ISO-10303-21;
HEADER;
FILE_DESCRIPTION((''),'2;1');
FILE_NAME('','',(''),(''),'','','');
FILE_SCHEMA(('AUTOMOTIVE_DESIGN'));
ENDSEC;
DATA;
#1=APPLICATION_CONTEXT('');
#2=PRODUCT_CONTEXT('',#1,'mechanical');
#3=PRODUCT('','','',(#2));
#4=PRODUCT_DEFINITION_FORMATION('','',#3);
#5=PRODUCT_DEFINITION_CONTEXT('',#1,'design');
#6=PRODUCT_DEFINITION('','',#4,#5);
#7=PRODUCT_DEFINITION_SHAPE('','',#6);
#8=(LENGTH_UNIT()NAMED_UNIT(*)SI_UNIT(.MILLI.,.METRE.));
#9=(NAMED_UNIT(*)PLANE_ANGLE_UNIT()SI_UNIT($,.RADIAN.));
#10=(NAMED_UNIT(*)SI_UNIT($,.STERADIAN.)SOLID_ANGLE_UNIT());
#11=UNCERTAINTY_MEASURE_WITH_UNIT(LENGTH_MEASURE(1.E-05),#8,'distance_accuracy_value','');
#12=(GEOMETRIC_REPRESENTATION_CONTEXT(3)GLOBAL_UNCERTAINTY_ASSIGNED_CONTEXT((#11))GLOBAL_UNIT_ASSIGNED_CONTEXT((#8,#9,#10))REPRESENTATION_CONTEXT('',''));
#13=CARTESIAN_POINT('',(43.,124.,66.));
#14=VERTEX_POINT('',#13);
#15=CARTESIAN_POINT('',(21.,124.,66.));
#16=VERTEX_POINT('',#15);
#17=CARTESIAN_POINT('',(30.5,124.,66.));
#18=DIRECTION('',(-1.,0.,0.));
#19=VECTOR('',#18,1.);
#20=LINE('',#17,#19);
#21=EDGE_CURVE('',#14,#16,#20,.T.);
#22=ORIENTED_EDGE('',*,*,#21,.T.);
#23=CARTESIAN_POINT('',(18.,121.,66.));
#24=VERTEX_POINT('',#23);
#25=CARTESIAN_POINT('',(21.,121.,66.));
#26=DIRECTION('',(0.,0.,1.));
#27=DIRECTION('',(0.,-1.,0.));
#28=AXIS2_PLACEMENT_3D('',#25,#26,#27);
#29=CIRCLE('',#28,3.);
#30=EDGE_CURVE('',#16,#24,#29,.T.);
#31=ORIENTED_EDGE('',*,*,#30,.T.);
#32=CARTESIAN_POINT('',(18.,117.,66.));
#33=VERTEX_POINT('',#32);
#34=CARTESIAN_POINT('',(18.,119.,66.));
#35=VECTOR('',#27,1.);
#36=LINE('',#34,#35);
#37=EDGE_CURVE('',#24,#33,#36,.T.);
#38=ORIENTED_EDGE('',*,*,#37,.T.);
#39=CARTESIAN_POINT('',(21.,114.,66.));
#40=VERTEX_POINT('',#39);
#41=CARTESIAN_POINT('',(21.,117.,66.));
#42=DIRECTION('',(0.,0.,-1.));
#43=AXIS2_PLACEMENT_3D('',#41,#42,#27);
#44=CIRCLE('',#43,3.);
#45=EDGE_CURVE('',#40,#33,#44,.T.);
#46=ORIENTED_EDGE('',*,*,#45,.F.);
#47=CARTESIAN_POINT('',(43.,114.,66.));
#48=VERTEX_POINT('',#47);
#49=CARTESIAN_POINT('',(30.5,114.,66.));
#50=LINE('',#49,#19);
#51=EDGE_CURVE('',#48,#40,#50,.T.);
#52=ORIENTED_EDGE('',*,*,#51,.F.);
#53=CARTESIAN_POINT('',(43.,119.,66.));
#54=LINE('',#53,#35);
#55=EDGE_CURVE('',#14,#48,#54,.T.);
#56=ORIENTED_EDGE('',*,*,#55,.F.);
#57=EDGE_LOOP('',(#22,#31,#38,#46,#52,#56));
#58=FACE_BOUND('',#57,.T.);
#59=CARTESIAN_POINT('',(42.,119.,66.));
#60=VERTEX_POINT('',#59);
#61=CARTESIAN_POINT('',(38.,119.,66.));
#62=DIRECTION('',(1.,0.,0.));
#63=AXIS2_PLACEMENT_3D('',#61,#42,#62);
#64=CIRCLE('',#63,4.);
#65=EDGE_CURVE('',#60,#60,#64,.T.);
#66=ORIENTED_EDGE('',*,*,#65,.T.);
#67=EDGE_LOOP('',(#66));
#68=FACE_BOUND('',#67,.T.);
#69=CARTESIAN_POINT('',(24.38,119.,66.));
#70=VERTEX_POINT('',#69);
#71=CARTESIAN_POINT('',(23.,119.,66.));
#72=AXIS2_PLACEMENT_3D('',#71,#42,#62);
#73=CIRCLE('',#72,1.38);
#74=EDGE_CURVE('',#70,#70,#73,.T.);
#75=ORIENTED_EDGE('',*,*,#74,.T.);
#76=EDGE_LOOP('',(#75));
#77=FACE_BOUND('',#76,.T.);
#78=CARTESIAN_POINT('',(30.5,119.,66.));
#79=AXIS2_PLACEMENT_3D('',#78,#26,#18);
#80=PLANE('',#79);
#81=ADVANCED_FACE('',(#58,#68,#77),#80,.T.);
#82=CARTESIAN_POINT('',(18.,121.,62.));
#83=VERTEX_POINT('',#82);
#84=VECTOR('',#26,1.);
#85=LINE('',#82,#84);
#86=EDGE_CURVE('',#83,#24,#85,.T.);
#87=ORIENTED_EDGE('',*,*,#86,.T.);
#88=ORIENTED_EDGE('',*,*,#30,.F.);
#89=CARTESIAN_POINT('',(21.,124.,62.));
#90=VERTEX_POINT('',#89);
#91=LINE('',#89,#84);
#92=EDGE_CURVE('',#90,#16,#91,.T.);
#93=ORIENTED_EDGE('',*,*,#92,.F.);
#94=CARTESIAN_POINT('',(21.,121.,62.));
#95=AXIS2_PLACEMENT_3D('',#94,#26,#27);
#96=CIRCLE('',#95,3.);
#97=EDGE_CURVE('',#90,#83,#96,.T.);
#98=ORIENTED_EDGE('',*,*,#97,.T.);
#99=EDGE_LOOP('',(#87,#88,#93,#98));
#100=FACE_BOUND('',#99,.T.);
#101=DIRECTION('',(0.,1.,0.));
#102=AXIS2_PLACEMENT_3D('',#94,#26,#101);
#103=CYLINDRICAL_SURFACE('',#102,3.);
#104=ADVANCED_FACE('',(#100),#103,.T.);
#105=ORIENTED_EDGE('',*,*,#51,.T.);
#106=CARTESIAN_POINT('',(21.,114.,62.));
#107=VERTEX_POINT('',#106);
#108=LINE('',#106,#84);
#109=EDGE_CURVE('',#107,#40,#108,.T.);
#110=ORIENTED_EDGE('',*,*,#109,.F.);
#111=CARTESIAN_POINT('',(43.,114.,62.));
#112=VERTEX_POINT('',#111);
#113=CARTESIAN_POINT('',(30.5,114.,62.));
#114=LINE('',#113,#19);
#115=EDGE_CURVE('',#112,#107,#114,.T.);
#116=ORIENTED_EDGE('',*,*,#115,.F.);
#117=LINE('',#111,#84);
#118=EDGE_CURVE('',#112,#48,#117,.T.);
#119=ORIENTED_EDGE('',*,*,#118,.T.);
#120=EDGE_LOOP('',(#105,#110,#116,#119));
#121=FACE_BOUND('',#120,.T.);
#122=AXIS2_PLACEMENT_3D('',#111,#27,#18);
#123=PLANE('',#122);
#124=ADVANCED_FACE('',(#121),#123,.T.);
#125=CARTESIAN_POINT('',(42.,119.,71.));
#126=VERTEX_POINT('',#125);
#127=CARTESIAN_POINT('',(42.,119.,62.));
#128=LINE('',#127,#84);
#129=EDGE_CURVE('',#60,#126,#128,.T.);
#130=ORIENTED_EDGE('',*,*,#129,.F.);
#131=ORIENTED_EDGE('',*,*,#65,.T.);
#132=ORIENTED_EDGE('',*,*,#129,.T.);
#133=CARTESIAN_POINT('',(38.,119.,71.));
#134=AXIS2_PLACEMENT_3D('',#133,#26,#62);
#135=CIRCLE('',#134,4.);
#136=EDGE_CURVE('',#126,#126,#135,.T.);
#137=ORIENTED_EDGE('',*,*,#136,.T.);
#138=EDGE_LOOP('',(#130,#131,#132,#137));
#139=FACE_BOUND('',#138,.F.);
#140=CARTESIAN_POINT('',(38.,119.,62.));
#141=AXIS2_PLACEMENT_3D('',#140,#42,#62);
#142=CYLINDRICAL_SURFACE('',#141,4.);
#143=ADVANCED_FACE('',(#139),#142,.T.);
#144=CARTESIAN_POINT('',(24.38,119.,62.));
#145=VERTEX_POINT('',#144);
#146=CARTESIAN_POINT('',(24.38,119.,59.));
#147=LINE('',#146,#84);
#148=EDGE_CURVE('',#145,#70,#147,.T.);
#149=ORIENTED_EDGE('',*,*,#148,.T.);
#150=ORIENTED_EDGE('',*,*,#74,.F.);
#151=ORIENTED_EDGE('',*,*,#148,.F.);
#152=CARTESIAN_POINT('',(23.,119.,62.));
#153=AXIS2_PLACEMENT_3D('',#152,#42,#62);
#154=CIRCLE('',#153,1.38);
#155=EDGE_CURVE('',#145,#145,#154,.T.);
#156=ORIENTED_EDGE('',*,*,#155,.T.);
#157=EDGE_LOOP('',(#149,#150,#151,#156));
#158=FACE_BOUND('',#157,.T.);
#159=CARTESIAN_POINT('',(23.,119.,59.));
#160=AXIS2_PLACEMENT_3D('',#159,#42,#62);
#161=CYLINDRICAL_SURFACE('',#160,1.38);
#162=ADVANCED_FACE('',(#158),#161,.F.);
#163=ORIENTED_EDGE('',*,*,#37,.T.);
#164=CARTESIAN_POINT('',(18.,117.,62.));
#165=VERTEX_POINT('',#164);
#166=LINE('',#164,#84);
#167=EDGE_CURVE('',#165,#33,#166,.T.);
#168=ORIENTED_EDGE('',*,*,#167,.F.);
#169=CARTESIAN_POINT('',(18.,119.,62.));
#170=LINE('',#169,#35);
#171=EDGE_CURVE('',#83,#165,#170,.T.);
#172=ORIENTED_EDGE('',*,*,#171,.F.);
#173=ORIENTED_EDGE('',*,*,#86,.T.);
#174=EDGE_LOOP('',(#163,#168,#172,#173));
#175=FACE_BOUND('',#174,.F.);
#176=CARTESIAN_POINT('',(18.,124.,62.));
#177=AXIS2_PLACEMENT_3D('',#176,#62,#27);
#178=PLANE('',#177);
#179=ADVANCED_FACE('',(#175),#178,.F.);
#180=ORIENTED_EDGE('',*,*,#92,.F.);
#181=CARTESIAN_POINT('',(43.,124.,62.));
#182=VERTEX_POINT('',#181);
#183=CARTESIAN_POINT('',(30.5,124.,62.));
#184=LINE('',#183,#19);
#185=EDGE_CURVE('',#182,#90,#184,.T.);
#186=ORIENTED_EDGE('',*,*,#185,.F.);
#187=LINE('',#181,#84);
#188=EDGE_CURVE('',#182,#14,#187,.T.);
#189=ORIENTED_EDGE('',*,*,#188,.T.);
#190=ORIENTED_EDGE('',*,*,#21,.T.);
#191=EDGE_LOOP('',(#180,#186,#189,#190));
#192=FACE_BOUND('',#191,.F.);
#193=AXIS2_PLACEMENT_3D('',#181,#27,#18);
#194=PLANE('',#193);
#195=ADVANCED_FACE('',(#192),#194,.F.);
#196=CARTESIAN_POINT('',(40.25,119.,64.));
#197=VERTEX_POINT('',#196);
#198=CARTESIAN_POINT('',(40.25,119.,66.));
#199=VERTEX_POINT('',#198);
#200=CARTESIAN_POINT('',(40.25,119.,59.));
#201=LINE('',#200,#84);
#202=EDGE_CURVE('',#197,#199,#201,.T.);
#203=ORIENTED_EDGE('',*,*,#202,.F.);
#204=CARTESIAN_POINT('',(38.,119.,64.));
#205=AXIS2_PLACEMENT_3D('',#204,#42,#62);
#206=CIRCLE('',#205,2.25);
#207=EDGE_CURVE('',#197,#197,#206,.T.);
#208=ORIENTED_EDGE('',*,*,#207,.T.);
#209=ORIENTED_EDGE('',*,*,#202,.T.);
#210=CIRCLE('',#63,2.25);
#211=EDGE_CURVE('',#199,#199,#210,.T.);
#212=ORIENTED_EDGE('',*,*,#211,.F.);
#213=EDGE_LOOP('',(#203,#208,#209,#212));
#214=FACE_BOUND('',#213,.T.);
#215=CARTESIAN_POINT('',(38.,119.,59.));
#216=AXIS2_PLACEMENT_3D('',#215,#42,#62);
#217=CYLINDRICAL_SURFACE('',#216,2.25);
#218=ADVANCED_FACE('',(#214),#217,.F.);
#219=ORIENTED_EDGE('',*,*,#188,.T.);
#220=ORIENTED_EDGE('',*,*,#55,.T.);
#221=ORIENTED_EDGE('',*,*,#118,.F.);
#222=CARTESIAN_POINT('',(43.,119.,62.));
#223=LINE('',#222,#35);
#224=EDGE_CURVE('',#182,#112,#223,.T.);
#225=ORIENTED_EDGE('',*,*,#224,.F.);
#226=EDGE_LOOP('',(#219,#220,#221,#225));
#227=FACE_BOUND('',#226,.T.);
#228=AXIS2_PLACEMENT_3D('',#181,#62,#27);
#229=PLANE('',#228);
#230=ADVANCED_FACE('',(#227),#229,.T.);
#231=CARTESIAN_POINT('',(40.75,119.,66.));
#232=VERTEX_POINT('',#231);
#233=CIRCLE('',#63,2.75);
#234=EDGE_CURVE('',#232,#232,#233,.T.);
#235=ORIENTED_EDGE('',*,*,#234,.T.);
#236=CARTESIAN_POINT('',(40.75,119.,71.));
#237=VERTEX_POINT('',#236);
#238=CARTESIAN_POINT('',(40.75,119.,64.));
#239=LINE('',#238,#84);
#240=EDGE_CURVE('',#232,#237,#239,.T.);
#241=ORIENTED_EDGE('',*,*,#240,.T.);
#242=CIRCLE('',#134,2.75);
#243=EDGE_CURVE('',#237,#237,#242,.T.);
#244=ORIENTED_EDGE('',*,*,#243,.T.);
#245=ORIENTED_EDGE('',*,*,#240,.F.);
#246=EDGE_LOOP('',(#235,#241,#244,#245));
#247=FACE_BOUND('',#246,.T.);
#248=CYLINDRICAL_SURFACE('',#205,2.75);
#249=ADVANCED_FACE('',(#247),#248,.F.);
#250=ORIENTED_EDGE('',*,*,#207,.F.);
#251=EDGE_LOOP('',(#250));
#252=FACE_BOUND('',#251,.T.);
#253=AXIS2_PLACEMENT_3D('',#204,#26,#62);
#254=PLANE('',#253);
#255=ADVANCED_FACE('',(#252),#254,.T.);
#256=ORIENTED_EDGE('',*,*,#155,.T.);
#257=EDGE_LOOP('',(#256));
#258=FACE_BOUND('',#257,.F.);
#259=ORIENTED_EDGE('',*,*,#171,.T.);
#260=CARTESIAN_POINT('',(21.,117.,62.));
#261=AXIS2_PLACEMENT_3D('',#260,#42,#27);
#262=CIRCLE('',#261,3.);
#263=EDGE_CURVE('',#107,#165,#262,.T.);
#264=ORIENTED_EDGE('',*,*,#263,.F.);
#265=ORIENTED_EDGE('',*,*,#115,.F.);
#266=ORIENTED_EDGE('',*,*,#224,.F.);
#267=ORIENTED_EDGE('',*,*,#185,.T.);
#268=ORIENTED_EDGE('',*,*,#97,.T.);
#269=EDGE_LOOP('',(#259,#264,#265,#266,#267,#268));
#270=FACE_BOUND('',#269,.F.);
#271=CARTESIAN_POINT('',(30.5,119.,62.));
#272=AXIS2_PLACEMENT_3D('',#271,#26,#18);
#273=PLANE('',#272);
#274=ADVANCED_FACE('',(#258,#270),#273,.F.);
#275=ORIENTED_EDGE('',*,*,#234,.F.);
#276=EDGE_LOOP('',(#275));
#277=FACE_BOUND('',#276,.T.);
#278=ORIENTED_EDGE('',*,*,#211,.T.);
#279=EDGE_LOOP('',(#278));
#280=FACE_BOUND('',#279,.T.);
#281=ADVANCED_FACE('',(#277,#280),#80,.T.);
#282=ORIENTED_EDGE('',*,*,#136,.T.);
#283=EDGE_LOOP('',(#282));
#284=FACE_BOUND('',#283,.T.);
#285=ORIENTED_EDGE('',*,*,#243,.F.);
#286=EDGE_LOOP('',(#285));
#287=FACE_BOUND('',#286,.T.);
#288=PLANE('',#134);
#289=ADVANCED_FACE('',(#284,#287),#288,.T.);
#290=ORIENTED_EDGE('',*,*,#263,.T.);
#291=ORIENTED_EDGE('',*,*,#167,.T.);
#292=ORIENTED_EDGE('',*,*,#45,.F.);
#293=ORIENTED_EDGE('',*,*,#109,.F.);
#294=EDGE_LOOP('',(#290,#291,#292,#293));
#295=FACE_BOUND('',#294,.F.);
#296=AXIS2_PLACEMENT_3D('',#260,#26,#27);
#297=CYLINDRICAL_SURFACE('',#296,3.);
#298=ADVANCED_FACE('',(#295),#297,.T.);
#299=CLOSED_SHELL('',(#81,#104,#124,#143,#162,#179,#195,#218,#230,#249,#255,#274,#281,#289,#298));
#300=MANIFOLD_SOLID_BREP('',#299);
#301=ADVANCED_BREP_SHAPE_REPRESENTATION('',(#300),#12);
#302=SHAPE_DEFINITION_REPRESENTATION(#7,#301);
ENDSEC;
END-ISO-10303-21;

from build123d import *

# Parameters (mm, degrees)
CYLINDER085_R     = 2.75
CYLINDER085_DEPTH = 7
CYLINDER084_R     = 4
CYLINDER084_DEPTH = 9
CYLINDER073_R     = 1.38
CYLINDER073_DEPTH = 10
CYLINDER074_R     = 2.25
CYLINDER074_DEPTH = 10
BOX041_W          = 25
BOX041_H          = 10
BOX041_DEPTH      = 4
FILLET008_R       = 3


with BuildPart() as cilindro004:
    # Cylinder085 → Cylinder085 (new body)
    with BuildSketch(Plane(origin=(17, 17, 12), x_dir=(1, 0, 0), z_dir=(0, 0, 1))):
        Circle(CYLINDER085_R)
    extrude(amount=CYLINDER085_DEPTH)


with BuildPart() as extensi_n_servo002:
    # Cylinder084 → Cylinder084 (new body)
    with BuildSketch(Plane(origin=(17, 17, 10), x_dir=(1, 0, 0), z_dir=(0, 0, 1))):
        Circle(CYLINDER084_R)
    extrude(amount=CYLINDER084_DEPTH)

    # Cut055: cut Cilindro004
    add(cilindro004.part, mode=Mode.SUBTRACT)


with BuildPart() as extensi_n_servo002_1:
    # Cut055 placement: moved
    add(extensi_n_servo002.part.moved(Location((21, 102, 52))))


with BuildPart() as cylinder073:
    # Cylinder073 → Cylinder073 (new body)
    with BuildSketch(Plane(origin=(25, 52, 59), x_dir=(1, 0, 0), z_dir=(0, 0, 1))):
        Circle(CYLINDER073_R)
    extrude(amount=CYLINDER073_DEPTH)


with BuildPart() as cylinder074:
    # Cylinder074 → Cylinder074 (new body)
    with BuildSketch(Plane(origin=(40, 52, 59), x_dir=(1, 0, 0), z_dir=(0, 0, 1))):
        Circle(CYLINDER074_R)
    extrude(amount=CYLINDER074_DEPTH)


with BuildPart() as palanca_3_final:
    # Box041 → Box041 (new body)
    with BuildSketch(Plane(origin=(45, 57, 62), x_dir=(-1, 0, 0), z_dir=(0, 0, 1))):
        with Locations((12.5, 5)):
            Rectangle(BOX041_W, BOX041_H)
    extrude(amount=BOX041_DEPTH)

    # Cut044: cut Cylinder074
    add(cylinder074.part, mode=Mode.SUBTRACT)

    # Cut045: cut Cylinder073
    add(cylinder073.part, mode=Mode.SUBTRACT)

    # Fillet008
    fillet008_edges = [palanca_3_final.edges().sort_by_distance(p)[0] for p in [
        (20, 57, 64),
        (20, 47, 64),
    ]]
    fillet(fillet008_edges, radius=FILLET008_R)


with BuildPart() as palanca_3_final_1:
    # Fillet008 placement: moved
    add(palanca_3_final.part.moved(Location((-2, 67, 0))))

    # Fusion011: union Extensión servo002
    add(extensi_n_servo002_1.part)


solid = palanca_3_final_1.part
